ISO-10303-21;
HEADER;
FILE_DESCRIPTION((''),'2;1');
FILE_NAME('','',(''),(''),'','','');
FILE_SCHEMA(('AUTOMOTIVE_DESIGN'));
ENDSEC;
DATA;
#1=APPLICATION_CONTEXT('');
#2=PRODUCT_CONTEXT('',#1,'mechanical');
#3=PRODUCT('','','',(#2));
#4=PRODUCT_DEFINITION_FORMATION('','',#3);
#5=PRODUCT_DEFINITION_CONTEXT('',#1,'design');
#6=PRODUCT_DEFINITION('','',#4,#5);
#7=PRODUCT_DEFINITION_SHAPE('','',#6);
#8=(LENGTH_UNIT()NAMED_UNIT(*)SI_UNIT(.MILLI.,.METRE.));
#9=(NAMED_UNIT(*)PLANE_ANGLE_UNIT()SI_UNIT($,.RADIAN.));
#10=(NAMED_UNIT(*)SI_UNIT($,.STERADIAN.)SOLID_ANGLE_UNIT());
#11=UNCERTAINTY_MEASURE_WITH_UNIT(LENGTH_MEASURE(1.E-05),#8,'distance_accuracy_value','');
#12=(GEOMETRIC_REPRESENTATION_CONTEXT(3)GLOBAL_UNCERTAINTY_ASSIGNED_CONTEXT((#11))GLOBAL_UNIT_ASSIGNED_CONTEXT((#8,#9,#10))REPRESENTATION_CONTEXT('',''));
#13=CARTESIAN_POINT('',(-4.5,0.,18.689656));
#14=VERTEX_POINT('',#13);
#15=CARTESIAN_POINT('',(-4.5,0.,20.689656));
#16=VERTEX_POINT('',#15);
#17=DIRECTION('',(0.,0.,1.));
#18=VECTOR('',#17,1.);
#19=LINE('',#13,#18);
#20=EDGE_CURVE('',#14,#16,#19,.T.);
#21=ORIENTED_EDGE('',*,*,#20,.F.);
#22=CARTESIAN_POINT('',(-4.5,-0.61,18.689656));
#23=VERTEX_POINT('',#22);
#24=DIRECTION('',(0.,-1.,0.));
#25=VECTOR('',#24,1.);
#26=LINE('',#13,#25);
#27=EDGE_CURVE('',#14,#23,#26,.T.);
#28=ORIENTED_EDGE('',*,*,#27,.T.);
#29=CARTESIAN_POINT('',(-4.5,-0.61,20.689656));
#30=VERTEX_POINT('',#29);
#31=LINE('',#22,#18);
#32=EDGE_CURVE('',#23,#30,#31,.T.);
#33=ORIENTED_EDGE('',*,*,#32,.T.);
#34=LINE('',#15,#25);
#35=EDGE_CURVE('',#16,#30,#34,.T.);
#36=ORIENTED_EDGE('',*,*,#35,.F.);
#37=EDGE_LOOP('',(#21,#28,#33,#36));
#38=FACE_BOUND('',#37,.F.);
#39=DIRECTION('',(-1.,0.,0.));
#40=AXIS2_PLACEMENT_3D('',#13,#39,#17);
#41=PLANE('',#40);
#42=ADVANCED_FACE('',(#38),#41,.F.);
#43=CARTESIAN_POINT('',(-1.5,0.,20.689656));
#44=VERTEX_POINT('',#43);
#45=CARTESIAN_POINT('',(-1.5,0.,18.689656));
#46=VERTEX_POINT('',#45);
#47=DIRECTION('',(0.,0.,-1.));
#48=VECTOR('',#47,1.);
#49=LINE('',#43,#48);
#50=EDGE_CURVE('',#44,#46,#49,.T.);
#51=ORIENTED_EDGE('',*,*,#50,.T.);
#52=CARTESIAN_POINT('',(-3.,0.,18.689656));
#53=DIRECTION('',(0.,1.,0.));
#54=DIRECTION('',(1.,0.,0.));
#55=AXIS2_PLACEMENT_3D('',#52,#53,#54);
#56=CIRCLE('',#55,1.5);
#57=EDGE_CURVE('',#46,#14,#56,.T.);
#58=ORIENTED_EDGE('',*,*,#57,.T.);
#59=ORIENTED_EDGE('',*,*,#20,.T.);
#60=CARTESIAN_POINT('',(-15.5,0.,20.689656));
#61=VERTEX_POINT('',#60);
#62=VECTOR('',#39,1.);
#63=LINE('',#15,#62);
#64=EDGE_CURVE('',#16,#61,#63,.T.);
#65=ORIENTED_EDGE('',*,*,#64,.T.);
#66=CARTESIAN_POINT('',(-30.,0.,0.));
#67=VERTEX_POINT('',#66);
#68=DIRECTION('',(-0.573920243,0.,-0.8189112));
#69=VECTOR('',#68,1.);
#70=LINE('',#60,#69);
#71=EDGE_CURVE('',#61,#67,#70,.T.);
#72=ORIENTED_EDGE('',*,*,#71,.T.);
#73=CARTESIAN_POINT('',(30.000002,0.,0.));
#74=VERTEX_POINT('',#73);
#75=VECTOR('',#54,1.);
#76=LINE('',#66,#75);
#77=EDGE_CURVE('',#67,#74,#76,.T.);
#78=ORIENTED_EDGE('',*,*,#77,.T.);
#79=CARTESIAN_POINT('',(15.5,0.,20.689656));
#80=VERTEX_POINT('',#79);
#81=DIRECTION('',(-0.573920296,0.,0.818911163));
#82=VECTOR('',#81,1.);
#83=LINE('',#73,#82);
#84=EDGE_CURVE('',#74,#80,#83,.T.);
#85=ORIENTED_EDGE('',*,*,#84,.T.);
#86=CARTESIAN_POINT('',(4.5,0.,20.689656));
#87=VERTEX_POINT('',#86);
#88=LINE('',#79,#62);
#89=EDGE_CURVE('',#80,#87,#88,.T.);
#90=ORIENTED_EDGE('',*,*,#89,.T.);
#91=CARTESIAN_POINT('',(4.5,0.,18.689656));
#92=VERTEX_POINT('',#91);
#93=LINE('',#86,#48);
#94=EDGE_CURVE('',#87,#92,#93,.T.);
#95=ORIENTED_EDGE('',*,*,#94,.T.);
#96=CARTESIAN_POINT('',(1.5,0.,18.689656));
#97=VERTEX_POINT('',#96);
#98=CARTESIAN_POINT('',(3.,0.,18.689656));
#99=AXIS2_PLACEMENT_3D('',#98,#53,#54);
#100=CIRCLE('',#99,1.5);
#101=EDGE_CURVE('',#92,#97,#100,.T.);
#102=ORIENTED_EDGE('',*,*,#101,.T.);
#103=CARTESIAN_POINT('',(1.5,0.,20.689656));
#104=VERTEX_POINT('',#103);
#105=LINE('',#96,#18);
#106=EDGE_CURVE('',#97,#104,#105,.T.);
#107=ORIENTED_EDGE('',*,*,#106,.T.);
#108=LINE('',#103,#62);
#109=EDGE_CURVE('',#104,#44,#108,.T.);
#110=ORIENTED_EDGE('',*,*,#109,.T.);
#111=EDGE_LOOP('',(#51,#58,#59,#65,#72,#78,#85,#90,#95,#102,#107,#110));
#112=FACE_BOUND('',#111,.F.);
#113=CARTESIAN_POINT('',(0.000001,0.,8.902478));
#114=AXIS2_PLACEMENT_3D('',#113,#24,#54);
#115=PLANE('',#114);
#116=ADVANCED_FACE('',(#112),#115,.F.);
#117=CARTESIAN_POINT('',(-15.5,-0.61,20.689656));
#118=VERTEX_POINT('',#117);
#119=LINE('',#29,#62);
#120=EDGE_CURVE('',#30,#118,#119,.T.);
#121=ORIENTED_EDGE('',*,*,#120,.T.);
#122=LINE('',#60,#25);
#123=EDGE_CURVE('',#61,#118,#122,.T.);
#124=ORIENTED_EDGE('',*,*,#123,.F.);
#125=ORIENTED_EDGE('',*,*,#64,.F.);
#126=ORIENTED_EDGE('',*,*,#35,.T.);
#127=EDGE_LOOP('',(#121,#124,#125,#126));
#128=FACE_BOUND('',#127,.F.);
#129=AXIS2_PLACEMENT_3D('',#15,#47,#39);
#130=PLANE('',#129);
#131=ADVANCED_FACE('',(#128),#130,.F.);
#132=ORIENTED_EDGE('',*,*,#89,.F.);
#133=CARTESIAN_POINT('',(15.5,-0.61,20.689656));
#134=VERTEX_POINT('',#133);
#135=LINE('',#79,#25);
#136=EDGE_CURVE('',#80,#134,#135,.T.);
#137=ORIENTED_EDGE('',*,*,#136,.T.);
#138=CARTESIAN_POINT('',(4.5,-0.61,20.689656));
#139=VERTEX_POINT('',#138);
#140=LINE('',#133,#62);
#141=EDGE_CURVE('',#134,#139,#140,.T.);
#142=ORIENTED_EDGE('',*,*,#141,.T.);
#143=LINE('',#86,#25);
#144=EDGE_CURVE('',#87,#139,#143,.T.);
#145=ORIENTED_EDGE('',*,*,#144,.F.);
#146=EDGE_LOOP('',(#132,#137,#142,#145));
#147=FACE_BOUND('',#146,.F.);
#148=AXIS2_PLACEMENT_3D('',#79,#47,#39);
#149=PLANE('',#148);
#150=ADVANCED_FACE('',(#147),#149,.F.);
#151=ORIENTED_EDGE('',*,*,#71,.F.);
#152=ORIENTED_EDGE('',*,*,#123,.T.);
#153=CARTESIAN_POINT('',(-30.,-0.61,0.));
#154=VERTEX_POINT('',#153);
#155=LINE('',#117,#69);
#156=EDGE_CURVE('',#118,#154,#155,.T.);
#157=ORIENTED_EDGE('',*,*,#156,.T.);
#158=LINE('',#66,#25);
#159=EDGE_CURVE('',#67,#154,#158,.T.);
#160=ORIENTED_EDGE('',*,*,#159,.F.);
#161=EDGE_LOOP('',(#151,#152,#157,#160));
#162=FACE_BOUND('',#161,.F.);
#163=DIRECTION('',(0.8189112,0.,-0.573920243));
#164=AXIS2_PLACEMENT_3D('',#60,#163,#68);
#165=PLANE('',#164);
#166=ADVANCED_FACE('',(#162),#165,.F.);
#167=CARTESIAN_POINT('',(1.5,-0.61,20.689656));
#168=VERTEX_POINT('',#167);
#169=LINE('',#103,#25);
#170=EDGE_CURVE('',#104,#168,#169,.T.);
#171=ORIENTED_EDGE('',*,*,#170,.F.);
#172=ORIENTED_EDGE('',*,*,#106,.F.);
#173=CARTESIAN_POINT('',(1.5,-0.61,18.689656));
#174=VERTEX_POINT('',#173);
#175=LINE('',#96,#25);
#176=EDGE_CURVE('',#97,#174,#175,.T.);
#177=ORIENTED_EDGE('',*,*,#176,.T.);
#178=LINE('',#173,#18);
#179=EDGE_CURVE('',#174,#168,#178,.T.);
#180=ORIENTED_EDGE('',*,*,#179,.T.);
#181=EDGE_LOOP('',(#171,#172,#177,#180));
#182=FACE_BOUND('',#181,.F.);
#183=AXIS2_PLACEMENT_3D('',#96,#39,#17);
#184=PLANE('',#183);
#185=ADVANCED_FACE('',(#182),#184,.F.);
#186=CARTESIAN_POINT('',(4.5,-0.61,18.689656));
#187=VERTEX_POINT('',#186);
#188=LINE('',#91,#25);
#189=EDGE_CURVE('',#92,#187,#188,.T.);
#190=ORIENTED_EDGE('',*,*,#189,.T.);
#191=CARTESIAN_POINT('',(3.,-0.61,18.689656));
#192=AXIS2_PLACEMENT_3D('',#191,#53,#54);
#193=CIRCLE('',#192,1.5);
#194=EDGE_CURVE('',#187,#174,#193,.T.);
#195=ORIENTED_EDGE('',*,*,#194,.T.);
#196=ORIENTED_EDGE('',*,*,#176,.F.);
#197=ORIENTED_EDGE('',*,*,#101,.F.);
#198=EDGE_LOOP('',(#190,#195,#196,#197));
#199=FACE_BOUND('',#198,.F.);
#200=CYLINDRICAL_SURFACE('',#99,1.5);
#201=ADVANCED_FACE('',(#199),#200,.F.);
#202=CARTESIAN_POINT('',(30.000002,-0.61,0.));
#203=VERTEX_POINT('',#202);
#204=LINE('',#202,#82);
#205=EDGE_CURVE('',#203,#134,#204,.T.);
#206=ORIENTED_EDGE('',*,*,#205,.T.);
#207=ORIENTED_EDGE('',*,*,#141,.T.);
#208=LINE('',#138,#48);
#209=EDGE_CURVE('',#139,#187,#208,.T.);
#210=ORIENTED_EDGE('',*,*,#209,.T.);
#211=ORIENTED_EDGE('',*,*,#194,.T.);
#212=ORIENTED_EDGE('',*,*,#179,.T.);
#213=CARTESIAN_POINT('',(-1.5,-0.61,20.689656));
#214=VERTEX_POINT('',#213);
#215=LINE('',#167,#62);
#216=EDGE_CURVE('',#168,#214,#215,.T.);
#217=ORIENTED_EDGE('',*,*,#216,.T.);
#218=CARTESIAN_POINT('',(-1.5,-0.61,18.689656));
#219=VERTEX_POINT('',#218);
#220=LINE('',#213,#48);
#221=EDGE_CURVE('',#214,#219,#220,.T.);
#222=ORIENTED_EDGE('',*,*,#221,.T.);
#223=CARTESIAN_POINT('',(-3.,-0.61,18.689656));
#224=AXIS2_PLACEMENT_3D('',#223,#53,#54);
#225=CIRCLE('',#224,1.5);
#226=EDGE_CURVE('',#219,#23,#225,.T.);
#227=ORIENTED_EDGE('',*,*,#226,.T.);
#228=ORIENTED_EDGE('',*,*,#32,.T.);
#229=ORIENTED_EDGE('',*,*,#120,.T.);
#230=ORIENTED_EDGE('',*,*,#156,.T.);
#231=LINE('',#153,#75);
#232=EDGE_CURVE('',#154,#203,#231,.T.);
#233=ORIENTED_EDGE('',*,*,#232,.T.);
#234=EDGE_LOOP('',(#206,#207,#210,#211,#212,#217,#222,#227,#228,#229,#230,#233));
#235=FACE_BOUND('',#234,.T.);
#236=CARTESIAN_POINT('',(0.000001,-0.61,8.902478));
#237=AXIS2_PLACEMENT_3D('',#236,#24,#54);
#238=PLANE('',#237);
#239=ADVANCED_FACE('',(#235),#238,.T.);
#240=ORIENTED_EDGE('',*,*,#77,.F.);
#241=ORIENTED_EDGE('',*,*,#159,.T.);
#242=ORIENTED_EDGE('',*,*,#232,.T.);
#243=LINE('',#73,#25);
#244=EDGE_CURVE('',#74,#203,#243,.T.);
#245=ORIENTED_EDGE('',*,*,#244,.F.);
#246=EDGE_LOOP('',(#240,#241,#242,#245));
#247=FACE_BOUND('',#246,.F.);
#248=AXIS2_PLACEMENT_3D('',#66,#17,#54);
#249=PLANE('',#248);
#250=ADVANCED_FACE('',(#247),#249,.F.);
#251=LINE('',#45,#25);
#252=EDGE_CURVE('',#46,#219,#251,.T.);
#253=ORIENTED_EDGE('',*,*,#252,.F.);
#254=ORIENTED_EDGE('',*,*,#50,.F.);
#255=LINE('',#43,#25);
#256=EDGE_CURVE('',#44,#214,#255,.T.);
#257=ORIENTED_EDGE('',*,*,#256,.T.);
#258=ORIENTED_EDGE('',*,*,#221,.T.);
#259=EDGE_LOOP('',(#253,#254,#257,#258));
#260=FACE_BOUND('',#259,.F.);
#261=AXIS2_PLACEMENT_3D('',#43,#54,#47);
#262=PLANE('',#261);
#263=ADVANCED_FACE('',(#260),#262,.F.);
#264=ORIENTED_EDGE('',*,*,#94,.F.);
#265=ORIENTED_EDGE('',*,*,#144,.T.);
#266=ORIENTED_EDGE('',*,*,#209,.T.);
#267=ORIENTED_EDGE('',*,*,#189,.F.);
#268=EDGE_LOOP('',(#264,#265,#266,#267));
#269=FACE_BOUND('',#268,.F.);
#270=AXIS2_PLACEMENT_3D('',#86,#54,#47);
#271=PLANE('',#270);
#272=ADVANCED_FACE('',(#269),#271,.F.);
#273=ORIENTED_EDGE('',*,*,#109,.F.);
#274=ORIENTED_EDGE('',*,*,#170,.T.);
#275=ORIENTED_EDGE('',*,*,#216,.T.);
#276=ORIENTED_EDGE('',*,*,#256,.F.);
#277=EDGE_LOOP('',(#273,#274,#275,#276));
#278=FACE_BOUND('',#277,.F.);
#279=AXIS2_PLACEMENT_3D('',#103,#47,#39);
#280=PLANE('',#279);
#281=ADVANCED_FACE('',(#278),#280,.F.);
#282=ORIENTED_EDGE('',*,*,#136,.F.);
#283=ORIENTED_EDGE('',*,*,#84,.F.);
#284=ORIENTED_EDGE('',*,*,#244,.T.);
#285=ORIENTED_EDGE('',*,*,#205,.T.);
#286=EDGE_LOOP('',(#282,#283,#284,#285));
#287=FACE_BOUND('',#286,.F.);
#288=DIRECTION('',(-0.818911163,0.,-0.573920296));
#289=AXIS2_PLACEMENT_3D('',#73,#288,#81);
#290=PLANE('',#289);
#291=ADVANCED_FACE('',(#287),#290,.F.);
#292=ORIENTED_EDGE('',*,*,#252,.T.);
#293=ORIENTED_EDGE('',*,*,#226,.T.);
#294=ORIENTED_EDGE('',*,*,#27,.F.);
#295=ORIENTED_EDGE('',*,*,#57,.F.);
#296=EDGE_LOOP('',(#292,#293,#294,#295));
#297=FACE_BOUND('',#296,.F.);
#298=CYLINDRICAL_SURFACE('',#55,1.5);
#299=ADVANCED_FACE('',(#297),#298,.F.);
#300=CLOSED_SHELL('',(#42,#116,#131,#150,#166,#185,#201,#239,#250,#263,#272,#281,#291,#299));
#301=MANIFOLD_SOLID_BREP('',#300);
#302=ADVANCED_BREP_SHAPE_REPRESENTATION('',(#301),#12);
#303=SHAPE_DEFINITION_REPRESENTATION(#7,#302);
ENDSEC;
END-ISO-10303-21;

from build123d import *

# Parameters (mm, degrees)
F1_DEPTH = 0.61


with BuildPart() as f1:
    # F0 (on Front) → F1 (new body)
    with BuildSketch(Plane.XZ):
        with BuildLine():
            Line((-30, 0), (0, 0))
            Line((0, 0), (30.000002, 0))
            Line((30.000002, 0), (15.5, 20.689656))
            Line((15.5, 20.689656), (4.5, 20.689656))
            Line((4.5, 20.689656), (4.5, 18.689656))
            ThreePointArc((4.5, 18.689656), (3, 17.189656), (1.5, 18.689656))
            Line((1.5, 18.689656), (1.5, 20.689656))
            Line((1.5, 20.689656), (0, 20.689656))
            Line((0, 20.689656), (-1.5, 20.689656))
            Line((-1.5, 20.689656), (-1.5, 18.689656))
            ThreePointArc((-1.5, 18.689656), (-3, 17.189656), (-4.5, 18.689656))
            Line((-4.5, 18.689656), (-4.5, 20.689656))
            Line((-4.5, 20.689656), (-15.5, 20.689656))
            Line((-15.5, 20.689656), (-30, 0))
        make_face()
    extrude(amount=F1_DEPTH)


solid = f1.part
